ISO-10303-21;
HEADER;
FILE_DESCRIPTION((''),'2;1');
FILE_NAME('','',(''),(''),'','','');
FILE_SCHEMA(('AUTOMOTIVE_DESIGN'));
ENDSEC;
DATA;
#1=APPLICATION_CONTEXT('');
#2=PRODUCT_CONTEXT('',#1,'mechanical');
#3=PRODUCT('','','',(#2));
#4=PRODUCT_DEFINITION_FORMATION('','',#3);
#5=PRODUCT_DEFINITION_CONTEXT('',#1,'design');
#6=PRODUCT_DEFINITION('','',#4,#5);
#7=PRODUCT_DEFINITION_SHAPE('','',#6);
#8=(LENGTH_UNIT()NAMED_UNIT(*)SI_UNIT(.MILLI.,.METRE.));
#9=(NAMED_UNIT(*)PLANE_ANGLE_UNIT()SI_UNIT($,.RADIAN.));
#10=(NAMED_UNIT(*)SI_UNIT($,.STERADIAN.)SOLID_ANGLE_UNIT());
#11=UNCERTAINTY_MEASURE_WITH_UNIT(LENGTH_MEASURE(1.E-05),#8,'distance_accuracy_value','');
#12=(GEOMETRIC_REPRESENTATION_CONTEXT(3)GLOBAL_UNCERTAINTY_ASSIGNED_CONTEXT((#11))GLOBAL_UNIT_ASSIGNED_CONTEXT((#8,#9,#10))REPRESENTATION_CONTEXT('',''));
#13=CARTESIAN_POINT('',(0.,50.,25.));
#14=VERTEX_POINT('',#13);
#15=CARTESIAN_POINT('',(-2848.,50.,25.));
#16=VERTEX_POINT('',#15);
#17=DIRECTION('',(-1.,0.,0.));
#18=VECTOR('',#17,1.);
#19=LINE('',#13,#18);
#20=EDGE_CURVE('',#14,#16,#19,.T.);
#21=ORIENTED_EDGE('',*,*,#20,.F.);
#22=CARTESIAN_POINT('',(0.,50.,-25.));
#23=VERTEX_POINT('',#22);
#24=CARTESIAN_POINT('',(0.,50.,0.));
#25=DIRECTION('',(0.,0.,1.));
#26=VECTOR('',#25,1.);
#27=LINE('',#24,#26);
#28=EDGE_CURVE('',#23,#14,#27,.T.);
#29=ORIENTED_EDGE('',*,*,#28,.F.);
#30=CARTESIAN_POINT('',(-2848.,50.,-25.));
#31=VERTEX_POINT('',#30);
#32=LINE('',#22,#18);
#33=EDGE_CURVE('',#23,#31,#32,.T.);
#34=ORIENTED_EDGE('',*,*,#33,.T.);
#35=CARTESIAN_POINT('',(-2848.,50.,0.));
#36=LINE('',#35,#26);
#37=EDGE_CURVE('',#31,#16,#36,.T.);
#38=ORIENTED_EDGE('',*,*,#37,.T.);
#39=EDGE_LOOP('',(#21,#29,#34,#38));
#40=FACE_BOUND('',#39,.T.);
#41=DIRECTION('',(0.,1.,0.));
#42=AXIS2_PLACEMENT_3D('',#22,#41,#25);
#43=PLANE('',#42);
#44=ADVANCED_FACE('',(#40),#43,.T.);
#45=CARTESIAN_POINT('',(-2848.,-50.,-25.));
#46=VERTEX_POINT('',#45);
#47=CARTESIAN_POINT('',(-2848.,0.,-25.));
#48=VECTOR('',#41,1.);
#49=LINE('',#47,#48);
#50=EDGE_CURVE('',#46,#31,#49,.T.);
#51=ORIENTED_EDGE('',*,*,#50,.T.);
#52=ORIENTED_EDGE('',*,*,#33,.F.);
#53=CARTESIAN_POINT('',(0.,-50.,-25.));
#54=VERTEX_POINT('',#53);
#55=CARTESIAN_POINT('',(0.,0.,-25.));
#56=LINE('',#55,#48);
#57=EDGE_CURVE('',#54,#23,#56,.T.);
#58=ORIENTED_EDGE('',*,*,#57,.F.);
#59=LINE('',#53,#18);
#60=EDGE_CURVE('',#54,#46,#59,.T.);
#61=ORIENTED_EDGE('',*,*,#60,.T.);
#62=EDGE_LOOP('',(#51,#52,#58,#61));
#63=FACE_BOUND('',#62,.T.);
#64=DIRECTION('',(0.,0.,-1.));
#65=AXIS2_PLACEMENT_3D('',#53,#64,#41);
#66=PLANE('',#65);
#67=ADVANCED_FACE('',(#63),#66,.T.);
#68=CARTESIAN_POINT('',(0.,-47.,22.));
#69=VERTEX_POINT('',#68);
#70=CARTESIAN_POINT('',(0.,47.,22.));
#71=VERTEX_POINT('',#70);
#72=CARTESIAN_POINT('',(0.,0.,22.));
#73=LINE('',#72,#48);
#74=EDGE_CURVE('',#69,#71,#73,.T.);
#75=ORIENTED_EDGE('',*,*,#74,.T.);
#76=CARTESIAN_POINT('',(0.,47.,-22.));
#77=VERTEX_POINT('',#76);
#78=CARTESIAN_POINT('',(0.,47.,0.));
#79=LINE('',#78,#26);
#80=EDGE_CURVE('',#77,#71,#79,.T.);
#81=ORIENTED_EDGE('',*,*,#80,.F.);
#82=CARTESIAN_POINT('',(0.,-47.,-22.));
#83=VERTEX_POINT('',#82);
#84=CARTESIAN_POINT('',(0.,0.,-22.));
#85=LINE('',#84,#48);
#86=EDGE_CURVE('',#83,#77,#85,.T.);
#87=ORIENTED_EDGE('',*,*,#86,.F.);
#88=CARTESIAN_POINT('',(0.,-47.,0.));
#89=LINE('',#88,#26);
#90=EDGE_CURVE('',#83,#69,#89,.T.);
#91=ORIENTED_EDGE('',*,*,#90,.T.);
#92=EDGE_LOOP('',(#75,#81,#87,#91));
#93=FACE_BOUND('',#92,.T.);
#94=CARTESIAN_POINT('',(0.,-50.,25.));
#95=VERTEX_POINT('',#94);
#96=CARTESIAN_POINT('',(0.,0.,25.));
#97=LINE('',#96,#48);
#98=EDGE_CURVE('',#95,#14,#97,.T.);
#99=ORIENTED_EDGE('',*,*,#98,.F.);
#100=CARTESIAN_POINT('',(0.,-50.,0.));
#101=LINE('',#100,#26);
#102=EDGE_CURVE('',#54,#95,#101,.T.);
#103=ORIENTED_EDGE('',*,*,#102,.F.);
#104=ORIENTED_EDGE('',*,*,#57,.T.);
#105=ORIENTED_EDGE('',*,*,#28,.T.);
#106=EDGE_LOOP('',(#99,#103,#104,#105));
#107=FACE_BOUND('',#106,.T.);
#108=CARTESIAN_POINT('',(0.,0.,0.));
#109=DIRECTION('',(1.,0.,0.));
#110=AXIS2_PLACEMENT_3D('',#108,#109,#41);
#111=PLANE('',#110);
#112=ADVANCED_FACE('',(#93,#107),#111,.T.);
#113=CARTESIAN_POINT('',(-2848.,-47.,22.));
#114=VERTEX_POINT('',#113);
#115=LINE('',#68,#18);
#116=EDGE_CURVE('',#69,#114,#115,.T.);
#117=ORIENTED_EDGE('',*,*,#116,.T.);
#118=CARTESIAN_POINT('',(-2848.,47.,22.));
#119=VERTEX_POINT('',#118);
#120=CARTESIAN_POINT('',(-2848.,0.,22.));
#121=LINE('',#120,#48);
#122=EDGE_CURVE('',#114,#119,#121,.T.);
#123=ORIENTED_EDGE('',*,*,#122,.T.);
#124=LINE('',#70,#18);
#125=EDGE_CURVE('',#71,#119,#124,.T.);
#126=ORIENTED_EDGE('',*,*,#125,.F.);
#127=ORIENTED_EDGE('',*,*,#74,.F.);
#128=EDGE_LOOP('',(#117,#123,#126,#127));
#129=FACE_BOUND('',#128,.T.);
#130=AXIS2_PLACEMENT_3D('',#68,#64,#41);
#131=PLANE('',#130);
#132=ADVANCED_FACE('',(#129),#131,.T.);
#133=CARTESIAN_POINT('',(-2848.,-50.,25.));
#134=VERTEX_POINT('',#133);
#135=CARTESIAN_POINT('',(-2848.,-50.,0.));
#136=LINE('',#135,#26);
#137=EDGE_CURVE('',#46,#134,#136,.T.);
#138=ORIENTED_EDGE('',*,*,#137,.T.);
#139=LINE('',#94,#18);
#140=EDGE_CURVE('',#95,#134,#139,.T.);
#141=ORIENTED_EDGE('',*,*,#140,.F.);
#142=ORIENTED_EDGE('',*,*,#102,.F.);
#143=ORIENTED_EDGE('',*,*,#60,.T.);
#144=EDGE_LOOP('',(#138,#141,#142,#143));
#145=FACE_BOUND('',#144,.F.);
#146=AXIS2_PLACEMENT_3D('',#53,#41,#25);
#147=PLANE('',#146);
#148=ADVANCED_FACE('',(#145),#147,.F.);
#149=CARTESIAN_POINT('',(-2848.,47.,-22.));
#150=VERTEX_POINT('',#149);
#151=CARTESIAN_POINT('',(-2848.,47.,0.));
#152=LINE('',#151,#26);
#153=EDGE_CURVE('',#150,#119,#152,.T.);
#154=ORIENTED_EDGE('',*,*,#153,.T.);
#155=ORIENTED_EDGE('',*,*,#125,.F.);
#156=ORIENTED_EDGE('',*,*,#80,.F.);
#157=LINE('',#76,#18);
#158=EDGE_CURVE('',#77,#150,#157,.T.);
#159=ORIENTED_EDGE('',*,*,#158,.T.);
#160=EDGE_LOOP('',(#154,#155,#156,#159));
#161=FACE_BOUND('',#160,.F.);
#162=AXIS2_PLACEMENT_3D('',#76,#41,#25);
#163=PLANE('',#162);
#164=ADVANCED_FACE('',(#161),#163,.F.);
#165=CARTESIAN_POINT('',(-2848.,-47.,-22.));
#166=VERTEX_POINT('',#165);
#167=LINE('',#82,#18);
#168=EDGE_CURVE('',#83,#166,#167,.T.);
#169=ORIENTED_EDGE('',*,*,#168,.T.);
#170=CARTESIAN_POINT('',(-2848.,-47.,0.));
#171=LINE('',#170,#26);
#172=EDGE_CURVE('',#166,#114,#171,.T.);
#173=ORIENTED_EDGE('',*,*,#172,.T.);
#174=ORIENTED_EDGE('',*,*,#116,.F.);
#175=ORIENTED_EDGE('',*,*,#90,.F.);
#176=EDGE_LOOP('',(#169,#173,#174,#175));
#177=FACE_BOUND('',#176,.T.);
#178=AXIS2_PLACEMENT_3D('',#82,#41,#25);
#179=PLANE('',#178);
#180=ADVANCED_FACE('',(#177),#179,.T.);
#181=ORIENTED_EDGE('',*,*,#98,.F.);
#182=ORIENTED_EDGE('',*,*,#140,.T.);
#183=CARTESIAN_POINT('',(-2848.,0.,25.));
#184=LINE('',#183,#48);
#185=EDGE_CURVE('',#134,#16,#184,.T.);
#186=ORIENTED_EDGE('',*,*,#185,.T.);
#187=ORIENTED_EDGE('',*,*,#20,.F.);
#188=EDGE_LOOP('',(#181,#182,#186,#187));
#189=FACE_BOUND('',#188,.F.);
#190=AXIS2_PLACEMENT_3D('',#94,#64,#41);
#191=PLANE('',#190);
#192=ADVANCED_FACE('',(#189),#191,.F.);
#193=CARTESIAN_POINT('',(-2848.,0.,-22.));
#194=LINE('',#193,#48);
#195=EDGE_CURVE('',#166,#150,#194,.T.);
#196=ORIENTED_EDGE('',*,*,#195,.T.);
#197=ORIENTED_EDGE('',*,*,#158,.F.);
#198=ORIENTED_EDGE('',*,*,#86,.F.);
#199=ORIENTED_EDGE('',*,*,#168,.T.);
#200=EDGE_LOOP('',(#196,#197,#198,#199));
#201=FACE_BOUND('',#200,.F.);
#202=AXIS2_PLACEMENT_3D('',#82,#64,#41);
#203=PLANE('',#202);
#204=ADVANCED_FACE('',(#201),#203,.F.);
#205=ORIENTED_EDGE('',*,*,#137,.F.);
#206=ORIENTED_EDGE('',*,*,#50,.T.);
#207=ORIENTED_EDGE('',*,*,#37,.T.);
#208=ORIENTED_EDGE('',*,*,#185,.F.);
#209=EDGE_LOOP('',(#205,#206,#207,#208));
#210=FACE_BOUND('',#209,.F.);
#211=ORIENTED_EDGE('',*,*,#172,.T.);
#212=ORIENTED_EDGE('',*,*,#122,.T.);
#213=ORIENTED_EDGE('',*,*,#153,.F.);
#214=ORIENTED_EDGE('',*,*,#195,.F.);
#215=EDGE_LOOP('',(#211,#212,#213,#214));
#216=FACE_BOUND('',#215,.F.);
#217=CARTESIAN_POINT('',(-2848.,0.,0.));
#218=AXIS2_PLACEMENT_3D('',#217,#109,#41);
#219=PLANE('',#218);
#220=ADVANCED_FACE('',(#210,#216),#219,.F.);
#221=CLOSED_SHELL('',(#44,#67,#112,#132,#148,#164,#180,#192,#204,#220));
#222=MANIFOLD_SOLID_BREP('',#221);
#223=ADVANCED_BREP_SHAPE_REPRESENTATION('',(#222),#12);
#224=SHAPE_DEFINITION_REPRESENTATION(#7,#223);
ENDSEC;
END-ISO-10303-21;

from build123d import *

# Parameters (mm, degrees)
F0_W     = 100
F0_H     = 50
F0_W_2   = 94
F0_H_2   = 44
F1_DEPTH = 2848


with BuildPart() as f1:
    # F0 (on Right) → F1 (new body)
    with BuildSketch(Plane.YZ):
        Rectangle(F0_W, F0_H)
        Rectangle(F0_W_2, F0_H_2, mode=Mode.SUBTRACT)
    extrude(amount=-F1_DEPTH)


solid = f1.part
